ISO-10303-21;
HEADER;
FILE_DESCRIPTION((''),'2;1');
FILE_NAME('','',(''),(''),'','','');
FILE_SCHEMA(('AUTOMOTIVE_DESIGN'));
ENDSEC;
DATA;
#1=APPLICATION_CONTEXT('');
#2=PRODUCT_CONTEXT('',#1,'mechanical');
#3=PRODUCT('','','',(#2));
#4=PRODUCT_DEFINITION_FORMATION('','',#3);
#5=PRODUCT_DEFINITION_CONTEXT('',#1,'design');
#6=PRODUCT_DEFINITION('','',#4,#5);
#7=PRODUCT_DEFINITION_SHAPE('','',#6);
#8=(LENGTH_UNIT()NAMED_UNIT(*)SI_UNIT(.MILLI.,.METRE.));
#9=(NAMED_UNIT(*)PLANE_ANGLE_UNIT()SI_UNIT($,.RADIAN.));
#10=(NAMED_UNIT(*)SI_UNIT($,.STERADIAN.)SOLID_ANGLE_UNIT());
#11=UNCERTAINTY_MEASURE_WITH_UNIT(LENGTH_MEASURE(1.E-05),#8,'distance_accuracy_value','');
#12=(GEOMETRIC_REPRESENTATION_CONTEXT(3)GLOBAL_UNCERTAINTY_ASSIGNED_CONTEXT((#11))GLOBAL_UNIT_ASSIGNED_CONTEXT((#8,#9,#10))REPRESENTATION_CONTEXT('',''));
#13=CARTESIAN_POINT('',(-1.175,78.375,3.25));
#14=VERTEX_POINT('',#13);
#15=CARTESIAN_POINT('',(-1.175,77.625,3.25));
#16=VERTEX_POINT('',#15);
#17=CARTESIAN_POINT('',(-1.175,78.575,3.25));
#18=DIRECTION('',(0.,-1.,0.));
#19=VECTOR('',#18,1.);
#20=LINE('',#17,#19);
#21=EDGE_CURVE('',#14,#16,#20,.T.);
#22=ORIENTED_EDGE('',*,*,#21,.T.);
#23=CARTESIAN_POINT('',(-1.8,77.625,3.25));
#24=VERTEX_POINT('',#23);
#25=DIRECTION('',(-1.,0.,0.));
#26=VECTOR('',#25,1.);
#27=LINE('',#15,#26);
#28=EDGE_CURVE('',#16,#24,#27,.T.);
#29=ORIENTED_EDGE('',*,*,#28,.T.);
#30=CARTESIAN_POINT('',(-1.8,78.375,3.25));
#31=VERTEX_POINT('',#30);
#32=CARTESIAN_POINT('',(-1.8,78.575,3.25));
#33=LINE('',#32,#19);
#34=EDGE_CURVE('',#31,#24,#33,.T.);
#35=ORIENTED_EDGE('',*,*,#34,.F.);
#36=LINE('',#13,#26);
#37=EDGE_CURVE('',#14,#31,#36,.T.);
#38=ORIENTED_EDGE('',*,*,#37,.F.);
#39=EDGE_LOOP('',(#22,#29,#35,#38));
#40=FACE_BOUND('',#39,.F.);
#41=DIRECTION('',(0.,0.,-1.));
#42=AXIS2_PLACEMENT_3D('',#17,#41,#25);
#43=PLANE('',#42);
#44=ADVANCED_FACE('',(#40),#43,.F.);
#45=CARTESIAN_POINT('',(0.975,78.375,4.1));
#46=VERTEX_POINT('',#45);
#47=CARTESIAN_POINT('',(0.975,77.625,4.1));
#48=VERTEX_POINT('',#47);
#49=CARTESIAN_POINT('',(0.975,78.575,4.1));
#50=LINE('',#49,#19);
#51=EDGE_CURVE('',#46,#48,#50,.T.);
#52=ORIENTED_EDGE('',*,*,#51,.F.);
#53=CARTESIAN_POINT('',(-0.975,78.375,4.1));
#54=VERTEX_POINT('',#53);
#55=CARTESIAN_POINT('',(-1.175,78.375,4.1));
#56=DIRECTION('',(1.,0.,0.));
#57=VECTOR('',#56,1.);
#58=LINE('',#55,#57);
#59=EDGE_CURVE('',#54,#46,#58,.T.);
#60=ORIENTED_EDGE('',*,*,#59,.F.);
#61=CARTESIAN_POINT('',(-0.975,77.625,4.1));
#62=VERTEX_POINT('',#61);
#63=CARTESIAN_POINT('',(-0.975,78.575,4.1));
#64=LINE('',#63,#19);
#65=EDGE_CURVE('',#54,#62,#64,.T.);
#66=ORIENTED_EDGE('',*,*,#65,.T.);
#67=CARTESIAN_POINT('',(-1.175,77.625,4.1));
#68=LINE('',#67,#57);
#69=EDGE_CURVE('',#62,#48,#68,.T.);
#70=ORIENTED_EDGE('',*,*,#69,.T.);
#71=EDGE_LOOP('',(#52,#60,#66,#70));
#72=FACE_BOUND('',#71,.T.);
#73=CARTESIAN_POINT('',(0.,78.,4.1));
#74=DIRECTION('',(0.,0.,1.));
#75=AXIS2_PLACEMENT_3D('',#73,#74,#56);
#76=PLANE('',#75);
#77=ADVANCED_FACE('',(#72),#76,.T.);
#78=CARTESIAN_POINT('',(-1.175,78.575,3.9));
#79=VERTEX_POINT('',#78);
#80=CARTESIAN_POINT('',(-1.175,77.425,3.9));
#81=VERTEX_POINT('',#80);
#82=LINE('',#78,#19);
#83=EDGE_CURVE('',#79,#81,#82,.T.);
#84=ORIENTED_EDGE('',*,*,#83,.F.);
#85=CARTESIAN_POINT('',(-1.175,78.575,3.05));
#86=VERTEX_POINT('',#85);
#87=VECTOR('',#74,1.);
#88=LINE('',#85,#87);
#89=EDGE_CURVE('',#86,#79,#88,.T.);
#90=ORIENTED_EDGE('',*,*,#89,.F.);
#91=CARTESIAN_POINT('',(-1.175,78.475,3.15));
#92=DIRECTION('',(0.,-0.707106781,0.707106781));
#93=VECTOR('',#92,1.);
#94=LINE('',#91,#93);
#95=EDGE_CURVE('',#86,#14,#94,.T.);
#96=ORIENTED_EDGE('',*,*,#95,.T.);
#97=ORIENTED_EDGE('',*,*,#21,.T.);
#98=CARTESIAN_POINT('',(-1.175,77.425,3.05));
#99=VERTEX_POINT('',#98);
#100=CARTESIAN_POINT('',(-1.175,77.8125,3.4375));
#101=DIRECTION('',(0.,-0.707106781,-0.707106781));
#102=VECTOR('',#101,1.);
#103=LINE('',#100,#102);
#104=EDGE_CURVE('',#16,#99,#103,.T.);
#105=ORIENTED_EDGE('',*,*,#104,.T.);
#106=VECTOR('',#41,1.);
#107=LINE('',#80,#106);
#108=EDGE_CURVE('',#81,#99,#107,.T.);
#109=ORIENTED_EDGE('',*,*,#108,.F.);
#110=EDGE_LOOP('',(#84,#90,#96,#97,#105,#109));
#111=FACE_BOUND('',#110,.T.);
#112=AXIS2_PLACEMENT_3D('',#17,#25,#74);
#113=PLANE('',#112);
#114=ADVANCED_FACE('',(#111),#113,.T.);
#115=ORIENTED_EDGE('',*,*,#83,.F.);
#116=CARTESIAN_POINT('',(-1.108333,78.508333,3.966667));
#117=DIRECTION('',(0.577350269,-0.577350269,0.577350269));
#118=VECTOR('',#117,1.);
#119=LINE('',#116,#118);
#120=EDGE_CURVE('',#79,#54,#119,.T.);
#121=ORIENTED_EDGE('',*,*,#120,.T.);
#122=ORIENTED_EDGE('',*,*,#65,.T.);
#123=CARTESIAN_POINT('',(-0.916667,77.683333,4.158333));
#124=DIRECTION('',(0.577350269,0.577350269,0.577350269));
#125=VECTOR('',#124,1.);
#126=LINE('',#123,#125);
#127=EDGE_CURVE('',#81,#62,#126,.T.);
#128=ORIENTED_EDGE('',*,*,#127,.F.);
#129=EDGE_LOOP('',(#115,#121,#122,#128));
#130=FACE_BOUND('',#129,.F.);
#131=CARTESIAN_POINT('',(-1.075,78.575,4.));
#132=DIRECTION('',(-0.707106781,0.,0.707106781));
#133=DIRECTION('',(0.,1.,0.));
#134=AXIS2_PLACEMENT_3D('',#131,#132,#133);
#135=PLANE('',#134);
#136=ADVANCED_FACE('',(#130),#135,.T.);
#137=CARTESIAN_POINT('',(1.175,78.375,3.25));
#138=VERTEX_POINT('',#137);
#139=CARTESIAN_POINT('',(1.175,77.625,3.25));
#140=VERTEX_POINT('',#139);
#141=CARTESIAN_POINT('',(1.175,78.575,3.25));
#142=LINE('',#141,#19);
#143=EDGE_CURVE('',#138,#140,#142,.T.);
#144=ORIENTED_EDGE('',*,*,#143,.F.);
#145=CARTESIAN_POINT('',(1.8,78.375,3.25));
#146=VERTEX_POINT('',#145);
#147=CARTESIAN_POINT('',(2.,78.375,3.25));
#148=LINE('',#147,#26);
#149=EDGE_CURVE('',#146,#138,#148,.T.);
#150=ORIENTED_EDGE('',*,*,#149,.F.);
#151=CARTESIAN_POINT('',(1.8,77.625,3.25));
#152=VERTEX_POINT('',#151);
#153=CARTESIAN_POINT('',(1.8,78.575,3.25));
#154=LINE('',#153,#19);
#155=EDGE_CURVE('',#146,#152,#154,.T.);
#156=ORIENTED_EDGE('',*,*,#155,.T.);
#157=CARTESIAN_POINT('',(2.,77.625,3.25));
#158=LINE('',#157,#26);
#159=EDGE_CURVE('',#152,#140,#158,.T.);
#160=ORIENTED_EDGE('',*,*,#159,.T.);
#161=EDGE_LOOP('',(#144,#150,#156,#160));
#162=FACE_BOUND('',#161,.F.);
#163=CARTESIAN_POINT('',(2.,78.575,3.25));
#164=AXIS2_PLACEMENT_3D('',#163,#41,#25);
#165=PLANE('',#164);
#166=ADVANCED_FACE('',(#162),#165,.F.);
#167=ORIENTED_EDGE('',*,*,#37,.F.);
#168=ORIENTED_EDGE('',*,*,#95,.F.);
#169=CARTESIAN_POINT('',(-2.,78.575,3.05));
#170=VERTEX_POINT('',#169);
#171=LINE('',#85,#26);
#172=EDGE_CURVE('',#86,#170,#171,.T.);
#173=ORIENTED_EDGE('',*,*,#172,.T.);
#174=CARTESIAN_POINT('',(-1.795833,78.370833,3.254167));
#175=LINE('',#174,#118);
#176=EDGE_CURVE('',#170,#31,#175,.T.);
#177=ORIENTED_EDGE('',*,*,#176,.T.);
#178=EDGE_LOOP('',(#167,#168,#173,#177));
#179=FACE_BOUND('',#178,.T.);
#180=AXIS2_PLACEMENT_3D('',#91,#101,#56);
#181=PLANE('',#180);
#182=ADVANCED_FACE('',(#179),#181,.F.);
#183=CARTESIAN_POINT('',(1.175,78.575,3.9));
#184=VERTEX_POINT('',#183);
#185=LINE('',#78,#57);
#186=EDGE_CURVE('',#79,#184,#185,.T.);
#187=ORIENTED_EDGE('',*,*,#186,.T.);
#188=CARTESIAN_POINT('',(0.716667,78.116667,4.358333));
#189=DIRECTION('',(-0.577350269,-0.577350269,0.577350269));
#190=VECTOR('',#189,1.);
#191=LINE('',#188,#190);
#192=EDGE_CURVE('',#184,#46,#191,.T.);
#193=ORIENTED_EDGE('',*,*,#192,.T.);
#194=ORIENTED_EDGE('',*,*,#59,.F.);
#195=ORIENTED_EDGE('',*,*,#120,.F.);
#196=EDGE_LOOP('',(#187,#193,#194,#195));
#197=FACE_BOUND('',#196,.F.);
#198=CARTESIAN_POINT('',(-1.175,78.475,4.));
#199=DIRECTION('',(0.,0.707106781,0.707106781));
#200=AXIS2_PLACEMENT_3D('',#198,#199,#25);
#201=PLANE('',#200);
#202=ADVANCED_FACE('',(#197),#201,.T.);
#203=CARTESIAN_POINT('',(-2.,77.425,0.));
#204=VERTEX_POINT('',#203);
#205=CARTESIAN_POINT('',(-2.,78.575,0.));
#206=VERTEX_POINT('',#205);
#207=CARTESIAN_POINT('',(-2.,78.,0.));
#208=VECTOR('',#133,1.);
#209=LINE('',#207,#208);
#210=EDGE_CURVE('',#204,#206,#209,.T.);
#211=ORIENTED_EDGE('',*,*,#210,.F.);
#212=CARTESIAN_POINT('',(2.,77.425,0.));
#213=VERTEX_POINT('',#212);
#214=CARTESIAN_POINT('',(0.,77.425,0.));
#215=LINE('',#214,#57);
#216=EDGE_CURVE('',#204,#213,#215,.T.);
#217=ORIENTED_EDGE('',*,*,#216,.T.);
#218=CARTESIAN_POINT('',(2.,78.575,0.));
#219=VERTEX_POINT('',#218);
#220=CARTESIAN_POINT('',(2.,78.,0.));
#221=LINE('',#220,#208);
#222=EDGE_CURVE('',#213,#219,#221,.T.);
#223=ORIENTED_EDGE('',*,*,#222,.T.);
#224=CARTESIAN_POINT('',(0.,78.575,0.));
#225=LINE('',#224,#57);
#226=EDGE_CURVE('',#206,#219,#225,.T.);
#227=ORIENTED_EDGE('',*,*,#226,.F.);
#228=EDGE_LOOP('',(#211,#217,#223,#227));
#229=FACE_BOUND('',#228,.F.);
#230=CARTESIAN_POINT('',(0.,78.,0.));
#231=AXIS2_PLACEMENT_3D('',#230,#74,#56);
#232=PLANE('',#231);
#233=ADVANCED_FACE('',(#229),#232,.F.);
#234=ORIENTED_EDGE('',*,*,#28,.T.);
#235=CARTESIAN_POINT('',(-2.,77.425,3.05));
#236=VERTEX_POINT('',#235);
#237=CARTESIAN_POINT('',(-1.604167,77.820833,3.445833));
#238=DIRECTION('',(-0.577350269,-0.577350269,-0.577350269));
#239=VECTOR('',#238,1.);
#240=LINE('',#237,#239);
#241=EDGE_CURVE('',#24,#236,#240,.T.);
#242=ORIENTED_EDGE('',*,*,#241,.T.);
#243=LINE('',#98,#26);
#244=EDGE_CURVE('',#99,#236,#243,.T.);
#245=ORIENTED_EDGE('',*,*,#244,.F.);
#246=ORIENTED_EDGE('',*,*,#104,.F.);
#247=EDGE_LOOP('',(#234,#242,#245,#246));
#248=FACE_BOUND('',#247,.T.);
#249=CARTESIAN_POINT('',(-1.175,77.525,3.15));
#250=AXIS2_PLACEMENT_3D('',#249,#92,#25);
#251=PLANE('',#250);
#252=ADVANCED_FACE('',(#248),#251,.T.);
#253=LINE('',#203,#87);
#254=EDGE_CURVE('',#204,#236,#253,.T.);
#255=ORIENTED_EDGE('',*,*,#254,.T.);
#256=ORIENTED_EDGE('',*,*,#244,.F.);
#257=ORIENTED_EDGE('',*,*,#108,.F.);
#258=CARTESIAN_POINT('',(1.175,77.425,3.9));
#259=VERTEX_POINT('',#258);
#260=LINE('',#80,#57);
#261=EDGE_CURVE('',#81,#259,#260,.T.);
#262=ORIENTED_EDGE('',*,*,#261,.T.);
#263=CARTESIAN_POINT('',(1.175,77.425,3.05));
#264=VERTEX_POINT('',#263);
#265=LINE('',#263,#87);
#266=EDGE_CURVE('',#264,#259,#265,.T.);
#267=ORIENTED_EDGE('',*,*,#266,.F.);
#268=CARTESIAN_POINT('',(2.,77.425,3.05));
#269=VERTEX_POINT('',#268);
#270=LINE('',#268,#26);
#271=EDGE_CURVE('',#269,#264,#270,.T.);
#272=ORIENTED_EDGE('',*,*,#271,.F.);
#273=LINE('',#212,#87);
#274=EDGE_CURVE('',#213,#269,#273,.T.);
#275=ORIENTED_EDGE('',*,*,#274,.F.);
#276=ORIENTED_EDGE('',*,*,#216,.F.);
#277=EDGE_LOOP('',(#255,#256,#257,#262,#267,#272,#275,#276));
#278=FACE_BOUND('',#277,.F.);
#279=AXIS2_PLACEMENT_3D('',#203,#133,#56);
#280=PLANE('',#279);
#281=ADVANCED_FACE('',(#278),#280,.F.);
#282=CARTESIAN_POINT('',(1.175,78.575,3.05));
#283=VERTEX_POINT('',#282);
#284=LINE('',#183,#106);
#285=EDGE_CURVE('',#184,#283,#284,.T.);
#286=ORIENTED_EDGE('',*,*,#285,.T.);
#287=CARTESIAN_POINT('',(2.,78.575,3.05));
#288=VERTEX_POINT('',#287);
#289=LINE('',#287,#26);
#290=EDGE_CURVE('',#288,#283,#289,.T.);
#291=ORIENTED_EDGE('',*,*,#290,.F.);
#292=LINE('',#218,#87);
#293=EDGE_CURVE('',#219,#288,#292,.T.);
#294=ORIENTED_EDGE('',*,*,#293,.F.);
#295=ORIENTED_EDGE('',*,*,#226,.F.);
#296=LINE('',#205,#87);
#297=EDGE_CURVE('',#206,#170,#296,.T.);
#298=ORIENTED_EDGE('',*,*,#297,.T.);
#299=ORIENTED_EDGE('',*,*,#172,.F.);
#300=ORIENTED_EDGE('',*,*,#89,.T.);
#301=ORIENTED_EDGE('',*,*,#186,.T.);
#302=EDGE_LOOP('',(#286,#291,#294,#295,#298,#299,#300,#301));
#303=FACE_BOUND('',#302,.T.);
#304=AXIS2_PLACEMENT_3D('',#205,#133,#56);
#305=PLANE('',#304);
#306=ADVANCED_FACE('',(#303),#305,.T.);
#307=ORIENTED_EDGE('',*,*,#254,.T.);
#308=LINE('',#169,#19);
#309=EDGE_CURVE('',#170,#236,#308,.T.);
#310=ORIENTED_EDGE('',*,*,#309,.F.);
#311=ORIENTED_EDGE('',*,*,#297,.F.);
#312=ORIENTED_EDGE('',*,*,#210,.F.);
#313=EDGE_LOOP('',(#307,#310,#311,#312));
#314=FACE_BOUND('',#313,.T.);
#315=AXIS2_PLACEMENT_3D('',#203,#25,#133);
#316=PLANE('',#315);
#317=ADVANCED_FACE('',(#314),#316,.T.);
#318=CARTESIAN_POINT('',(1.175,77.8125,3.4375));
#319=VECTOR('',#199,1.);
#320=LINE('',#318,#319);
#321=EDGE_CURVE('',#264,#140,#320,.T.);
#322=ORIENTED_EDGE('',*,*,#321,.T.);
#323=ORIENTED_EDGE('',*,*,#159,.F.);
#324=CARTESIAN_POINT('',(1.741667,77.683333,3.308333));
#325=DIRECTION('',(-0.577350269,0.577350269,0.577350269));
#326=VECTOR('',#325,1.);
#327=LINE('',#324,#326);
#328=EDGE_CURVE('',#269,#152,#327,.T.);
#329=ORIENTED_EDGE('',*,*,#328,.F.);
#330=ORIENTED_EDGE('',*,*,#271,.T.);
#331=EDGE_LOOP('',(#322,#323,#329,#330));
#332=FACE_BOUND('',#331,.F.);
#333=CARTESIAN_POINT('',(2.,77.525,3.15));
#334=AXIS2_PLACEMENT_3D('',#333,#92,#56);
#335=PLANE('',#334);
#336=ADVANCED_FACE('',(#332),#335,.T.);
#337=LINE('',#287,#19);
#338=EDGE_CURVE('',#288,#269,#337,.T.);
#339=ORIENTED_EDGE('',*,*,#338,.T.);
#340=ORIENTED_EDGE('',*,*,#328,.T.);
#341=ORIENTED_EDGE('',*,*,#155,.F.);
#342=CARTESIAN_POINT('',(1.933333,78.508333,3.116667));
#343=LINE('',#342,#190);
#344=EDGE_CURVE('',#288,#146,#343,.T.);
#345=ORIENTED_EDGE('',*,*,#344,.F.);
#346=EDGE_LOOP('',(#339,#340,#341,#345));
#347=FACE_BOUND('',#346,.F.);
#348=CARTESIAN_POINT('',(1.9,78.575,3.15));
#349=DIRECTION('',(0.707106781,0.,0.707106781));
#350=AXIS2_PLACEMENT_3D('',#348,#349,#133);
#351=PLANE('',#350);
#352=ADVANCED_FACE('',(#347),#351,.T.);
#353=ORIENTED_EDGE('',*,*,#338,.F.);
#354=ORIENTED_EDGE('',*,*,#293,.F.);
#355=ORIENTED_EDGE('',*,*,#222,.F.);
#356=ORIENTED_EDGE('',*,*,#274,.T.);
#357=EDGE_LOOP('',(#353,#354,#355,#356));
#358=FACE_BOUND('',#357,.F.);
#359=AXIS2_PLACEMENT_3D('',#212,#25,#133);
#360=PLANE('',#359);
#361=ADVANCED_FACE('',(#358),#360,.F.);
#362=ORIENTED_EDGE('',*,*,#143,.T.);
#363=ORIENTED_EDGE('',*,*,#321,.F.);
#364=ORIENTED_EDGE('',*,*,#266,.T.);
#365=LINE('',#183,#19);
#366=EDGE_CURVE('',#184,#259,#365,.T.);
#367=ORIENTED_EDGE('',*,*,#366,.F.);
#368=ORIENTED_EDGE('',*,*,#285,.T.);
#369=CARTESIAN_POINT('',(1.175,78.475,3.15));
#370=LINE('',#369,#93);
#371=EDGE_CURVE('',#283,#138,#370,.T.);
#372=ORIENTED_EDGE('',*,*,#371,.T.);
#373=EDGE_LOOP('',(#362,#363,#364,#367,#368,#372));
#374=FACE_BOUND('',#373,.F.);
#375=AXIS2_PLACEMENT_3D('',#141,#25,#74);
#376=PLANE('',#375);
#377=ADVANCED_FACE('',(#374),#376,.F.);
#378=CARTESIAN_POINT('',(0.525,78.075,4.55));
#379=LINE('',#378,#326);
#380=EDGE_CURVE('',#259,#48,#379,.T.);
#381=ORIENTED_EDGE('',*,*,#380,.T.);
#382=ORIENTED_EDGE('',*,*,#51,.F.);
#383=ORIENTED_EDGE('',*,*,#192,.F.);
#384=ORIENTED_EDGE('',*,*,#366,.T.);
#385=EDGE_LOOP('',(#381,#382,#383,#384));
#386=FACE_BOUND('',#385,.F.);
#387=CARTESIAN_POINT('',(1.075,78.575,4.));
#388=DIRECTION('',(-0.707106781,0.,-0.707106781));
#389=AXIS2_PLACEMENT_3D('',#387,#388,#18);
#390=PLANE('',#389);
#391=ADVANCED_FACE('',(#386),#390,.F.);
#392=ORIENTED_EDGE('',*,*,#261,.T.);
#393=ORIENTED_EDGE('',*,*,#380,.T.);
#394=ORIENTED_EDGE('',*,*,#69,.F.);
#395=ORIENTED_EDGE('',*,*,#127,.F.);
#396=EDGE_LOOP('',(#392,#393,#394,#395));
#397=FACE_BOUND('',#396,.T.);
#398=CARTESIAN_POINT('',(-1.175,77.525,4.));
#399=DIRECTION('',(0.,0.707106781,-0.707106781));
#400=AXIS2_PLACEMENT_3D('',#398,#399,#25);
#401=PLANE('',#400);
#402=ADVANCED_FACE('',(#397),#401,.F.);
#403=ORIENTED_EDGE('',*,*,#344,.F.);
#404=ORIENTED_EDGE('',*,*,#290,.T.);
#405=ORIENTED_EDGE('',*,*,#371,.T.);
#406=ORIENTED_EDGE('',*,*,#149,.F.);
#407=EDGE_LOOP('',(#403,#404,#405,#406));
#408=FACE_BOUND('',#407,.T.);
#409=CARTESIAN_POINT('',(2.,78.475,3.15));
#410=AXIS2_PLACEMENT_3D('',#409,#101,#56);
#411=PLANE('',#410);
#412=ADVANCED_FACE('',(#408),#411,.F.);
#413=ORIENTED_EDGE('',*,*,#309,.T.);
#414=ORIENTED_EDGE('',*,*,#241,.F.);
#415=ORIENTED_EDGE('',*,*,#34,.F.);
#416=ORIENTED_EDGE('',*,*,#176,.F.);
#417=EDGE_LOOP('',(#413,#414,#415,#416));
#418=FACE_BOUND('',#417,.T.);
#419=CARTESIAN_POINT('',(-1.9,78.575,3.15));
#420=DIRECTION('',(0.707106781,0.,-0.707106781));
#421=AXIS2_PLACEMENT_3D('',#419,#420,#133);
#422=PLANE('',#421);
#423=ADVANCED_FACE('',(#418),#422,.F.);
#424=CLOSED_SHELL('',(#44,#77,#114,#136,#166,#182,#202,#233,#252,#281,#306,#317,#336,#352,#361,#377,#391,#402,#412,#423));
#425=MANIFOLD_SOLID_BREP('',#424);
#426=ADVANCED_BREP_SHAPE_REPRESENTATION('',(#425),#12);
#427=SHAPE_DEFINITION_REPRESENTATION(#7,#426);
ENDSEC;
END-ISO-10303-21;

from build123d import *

# Parameters (mm, degrees)
SKETCH008_W     = 4
SKETCH008_H     = 1.15
PAD005_DEPTH    = 4.1
SKETCH009_W     = 0.825
SKETCH009_H     = 0.85
POCKET002_DEPTH = 5
CHAMFER005_SIZE = 0.2


with BuildPart() as part:
    # Sketch008 → Pad005 (new body)
    with BuildSketch(Plane.XY):
        Rectangle(SKETCH008_W, SKETCH008_H)
    extrude(amount=PAD005_DEPTH)

    # Sketch009 (on Face1 of Pad005) → Pocket002 (cut)
    with BuildSketch(Plane(origin=(0, 0.575, 0), x_dir=(-1, 0, 0), z_dir=(0, 1, 0))):
        with Locations((-1.5875, 3.675)):
            Rectangle(SKETCH009_W, SKETCH009_H)
        with Locations((1.5875, 3.675)):
            Rectangle(SKETCH009_W, SKETCH009_H)
    extrude(amount=-POCKET002_DEPTH, mode=Mode.SUBTRACT)

    # Chamfer005
    chamfer005_edges = [part.edges().sort_by_distance(p)[0] for p in [
        (0, 0.575, 4.1),
        (0, -0.575, 4.1),
        (1.5875, 0.575, 3.25),
        (-1.5875, 0.575, 3.25),
        (-1.5875, -0.575, 3.25),
        (1.5875, -0.575, 3.25),
        (2, 0, 3.25),
        (-2, 0, 3.25),
        (1.175, 0, 4.1),
        (-1.175, 0, 4.1),
    ]]
    chamfer(chamfer005_edges, length=CHAMFER005_SIZE)


with BuildPart() as part_1:
    # Body047 placement: moved
    add(part.part.moved(Location((0, 78, 0))))


solid = part_1.part
